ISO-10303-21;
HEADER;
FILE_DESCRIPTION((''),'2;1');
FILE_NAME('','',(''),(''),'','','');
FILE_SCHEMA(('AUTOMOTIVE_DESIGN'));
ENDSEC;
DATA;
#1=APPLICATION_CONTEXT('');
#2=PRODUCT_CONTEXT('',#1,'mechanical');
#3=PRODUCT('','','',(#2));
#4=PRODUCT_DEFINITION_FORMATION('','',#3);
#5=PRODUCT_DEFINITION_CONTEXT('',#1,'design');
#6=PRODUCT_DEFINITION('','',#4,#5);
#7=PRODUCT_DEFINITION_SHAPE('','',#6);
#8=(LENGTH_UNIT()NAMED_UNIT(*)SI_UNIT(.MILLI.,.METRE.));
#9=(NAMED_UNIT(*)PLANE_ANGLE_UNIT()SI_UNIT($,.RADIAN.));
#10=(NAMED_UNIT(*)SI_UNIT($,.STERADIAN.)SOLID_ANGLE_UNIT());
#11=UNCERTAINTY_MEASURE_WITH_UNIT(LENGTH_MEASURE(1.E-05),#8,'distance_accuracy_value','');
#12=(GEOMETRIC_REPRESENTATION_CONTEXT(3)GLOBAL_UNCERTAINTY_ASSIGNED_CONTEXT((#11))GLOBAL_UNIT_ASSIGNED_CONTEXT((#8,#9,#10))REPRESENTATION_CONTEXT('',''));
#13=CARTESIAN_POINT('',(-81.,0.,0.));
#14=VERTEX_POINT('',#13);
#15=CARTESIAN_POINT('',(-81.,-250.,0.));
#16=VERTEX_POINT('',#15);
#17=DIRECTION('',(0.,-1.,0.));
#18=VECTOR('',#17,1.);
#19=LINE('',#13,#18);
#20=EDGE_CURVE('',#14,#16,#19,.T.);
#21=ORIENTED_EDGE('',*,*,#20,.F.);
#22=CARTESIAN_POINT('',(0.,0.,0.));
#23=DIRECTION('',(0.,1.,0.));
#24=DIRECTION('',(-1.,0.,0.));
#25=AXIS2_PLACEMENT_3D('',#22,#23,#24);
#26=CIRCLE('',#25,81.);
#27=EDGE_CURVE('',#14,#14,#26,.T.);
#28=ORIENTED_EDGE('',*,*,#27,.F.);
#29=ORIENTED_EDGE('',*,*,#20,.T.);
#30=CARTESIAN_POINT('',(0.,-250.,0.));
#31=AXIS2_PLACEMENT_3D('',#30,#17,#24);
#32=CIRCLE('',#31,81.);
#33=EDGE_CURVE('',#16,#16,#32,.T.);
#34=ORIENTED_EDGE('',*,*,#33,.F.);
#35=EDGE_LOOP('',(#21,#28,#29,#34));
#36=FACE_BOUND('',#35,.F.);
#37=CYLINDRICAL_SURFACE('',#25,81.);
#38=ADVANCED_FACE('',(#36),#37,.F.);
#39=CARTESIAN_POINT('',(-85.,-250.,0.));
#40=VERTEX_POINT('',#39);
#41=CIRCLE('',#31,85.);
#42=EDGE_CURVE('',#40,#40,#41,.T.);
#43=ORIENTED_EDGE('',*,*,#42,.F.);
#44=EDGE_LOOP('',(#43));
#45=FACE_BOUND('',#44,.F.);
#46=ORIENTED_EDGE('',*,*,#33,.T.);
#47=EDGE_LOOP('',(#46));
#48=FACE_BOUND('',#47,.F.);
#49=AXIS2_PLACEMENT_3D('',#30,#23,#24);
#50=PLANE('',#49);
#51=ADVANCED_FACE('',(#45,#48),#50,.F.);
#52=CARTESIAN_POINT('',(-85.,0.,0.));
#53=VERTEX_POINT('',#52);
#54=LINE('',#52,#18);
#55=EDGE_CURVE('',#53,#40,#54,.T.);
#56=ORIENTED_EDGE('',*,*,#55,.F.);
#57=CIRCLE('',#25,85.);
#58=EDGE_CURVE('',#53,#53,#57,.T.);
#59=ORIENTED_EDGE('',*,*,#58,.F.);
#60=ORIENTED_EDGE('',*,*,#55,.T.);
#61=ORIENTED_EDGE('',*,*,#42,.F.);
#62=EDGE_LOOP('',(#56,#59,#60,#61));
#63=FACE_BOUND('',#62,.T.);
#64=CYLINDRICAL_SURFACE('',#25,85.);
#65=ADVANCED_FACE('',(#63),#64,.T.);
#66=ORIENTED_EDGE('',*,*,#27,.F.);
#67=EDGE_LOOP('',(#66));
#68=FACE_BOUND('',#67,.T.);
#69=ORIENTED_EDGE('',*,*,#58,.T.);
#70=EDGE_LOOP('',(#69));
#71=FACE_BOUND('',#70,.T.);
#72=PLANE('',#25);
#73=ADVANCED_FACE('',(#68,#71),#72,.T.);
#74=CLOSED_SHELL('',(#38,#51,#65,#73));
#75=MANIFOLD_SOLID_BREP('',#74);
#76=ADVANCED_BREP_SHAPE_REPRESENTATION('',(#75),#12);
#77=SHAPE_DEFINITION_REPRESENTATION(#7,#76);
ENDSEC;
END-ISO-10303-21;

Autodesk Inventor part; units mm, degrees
ref_plane "YZ Plane" through (0, 0, 0) normal (1, 0, 0) x (0, 1, 0)
ref_plane "XZ Plane" through (0, 0, 0) normal (0, 1, 0) x (-1, 0, 0)
ref_plane "XY Plane" through (0, 0, 0) normal (0, 0, 1) x (1, 0, 0)
sketch "Sketch1" plane through (0, 0, 0) normal (0, 1, 0) x (-1, 0, 0)
  circle A0 centre (0, 0) radius 85
  circle A1 centre (0, 0) radius 81
  line L0 (85, 0) -> (-85, 0)
  point P0 (-81, 0)
  point P1 (81, 0)
  dimension "d0" = 170
  dimension "d1" = 4
extrude "Extrusion1" add sketch "Sketch1" against normal blind 250 contours L0 A1 A0 | A0 L0 A1
properties part number "PNS- 623 charging half tube"
